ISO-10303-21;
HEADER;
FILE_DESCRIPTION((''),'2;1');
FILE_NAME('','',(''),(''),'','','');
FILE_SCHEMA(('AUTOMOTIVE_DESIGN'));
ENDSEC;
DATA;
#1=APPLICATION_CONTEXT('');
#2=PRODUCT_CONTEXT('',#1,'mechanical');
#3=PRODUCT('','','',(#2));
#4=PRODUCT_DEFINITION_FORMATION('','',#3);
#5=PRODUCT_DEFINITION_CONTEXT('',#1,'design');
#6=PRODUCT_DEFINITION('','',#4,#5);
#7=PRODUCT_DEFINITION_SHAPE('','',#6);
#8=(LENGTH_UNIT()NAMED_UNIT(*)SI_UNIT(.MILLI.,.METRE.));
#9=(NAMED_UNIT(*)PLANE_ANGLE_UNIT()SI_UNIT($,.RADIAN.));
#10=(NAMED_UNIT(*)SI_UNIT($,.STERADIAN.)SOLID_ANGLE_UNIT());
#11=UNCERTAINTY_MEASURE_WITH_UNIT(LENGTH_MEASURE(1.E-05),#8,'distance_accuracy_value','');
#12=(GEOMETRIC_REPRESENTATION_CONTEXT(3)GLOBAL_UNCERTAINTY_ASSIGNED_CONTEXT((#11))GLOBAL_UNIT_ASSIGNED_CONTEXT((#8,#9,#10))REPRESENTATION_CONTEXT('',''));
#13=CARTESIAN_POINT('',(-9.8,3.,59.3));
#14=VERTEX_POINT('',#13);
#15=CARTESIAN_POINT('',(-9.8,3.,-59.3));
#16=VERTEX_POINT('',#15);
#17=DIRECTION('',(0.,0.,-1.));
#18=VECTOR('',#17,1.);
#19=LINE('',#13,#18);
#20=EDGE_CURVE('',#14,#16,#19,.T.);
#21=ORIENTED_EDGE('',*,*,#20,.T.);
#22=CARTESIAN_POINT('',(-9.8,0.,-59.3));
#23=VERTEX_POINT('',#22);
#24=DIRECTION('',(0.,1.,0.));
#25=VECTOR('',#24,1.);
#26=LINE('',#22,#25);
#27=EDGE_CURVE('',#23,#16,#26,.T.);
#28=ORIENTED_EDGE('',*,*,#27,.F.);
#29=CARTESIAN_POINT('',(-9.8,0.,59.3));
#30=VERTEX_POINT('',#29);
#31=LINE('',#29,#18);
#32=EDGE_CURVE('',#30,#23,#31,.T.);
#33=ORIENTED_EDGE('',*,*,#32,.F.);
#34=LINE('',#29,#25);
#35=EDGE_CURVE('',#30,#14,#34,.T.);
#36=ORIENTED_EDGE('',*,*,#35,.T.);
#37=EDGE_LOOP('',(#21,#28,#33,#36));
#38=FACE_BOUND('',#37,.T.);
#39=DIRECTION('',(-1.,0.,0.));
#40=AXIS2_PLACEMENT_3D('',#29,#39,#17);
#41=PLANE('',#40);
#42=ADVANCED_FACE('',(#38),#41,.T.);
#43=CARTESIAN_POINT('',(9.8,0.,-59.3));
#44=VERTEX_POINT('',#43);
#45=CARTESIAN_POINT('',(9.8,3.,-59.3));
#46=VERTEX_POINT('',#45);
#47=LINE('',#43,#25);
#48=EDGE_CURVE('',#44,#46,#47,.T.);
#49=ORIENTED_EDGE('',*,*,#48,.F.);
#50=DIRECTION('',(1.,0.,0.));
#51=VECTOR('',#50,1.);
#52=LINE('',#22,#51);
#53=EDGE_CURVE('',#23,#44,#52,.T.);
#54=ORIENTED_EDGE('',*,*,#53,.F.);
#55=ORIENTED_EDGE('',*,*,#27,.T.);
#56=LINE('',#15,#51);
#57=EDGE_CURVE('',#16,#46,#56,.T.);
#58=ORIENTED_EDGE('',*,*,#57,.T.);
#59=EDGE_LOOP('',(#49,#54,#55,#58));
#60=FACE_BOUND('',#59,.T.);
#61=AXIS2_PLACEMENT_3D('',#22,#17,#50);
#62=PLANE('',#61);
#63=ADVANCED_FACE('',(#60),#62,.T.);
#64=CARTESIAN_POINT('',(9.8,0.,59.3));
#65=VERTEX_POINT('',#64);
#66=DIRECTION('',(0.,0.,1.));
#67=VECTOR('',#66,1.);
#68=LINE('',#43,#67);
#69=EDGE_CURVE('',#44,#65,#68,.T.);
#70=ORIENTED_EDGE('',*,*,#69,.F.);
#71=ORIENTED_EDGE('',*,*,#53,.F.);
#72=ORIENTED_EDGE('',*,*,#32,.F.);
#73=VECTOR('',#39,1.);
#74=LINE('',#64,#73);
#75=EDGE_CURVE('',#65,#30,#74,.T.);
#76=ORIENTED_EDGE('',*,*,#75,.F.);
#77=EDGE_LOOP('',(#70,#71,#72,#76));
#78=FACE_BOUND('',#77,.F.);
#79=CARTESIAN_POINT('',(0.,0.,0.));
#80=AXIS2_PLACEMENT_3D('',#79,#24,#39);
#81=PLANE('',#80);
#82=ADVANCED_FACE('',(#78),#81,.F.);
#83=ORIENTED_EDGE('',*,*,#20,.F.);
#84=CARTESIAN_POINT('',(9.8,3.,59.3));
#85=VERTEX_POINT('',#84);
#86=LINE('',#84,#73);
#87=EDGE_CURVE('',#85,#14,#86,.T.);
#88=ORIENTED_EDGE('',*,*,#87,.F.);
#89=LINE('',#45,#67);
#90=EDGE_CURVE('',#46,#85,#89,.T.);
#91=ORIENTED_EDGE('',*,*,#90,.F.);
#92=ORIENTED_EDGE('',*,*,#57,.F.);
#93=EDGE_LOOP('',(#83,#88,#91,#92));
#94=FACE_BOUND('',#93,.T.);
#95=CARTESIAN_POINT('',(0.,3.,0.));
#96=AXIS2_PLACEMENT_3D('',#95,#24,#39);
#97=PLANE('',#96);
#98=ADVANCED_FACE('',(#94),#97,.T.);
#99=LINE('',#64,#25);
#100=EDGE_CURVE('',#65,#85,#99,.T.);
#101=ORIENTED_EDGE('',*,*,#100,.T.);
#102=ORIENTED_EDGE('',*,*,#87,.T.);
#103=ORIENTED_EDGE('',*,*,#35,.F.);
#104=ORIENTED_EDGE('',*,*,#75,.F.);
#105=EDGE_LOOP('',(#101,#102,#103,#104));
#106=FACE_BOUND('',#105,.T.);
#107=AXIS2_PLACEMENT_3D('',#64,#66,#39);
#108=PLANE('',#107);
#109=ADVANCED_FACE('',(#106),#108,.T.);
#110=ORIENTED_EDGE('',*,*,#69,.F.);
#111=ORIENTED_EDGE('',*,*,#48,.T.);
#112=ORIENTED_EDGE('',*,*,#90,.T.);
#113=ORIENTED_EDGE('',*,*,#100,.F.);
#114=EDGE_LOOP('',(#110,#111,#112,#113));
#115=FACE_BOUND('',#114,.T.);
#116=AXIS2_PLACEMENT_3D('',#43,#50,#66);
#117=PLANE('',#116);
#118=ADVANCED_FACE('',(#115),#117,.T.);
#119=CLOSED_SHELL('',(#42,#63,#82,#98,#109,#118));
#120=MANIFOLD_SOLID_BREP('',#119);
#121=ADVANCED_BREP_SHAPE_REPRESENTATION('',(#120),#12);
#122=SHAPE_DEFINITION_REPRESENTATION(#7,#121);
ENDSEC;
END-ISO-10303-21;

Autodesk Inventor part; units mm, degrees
ref_plane "YZ Plane" through (0, 0, 0) normal (1, 0, 0) x (0, 1, 0)
ref_plane "XZ Plane" through (0, 0, 0) normal (0, 1, 0) x (-1, 0, 0)
ref_plane "XY Plane" through (0, 0, 0) normal (0, 0, 1) x (1, 0, 0)
sketch "Sketch1" plane through (0, 0, 0) normal (0, 1, 0) x (-1, 0, 0)
  line L0 (-9.8, 59.3) -> (9.8, 59.3)
  line L1 (9.8, 59.3) -> (9.8, -59.3)
  line L2 (9.8, -59.3) -> (-9.8, -59.3)
  line L3 (-9.8, -59.3) -> (-9.8, 59.3)
  line L4 (-9.8, 59.3) -> (9.8, -59.3) construction
  line L5 (9.8, 59.3) -> (-9.8, -59.3) construction
  point P0 (0, 0)
  dimension "d0" = 19.6
  dimension "d1" = 118.6
extrude "Extrusion1" add sketch "Sketch1" along normal blind 3
properties part number "core_lightStrip_R"
